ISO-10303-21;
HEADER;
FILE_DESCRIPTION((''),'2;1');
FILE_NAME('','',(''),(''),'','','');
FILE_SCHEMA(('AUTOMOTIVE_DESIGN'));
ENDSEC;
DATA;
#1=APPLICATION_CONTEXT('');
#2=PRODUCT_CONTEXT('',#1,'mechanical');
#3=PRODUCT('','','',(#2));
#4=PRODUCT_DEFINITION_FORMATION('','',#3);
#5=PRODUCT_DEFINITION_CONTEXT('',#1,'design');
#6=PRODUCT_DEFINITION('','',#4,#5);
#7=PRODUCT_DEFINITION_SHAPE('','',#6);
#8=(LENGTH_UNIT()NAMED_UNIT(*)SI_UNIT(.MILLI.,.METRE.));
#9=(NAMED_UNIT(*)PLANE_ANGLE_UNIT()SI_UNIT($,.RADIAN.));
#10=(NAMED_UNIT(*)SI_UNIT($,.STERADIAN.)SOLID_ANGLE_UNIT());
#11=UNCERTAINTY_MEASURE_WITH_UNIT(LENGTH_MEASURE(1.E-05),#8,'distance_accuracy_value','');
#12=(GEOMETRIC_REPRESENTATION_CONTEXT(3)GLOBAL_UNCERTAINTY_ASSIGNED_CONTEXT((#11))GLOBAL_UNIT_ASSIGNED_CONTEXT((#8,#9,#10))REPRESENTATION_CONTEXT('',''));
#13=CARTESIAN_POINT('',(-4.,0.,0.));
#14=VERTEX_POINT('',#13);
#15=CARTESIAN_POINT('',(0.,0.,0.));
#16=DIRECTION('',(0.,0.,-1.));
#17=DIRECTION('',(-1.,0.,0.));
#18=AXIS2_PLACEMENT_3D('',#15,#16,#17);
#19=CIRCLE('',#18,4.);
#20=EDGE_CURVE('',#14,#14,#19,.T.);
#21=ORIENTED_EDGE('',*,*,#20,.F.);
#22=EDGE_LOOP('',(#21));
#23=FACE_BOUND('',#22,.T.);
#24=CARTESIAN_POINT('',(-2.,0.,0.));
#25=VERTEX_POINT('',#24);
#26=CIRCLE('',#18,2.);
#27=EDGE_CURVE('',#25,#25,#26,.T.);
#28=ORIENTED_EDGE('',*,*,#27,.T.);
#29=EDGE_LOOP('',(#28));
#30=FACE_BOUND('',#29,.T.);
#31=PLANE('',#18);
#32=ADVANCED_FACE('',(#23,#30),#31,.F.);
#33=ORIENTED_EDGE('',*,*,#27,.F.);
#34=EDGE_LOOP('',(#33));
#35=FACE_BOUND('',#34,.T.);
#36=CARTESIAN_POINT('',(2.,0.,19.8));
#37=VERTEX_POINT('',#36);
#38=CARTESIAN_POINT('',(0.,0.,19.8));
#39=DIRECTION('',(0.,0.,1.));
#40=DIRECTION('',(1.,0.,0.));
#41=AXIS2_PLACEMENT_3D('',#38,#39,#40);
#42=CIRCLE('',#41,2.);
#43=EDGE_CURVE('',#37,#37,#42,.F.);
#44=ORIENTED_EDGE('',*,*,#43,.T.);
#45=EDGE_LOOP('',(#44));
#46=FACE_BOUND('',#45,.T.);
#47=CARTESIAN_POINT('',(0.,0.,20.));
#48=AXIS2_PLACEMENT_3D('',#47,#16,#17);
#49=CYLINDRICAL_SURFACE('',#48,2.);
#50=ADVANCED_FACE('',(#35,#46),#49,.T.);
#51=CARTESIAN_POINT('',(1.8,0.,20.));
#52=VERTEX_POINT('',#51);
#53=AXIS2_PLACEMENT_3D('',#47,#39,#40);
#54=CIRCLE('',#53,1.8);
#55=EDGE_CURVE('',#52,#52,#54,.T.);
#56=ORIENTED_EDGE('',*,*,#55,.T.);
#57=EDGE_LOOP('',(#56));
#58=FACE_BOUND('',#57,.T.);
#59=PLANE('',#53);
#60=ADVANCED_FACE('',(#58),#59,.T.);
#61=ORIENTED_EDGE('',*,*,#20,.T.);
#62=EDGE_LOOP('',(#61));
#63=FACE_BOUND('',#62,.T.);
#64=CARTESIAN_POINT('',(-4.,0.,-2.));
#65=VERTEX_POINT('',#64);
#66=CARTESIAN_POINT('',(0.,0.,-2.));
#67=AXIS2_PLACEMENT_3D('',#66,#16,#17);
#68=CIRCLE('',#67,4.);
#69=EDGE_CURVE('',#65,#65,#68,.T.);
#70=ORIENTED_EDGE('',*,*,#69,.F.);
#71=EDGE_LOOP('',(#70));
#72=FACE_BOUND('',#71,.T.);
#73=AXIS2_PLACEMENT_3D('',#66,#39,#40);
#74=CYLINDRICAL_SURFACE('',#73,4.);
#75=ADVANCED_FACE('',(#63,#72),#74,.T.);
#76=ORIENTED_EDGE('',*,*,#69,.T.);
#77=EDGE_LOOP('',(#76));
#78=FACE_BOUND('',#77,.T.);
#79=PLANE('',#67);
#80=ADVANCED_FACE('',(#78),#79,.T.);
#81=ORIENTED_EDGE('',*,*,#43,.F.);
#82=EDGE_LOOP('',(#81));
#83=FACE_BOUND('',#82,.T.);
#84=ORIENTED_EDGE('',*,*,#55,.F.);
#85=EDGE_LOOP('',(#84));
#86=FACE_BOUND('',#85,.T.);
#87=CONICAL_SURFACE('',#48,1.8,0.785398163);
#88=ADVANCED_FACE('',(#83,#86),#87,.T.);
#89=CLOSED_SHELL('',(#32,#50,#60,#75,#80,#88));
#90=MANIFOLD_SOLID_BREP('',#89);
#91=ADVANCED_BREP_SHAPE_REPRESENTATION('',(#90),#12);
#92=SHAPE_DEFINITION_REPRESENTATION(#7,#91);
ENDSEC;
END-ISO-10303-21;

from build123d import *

# Parameters (mm, degrees)
SKETCH_1_R      = 2
EXTRUDE_1_DEPTH = 20
SKETCH_2_R      = 4
EXTRUDE_2_DEPTH = 2
CHAMFER_1_SIZE  = 0.2


with BuildPart() as part:
    # 草图1 → 拉伸1 (new body)
    with BuildSketch(Plane.XY):
        Circle(SKETCH_1_R)
    extrude(amount=EXTRUDE_1_DEPTH)

    # 草图2 → 拉伸2 (add)
    with BuildSketch(Plane(origin=(0, 0, 0), x_dir=(-1, 0, 0), z_dir=(0, 0, -1))):
        Circle(SKETCH_2_R)
    extrude(amount=EXTRUDE_2_DEPTH)

    # 倒角1
    chamfer_1_edges = [part.edges().sort_by_distance(p)[0] for p in [
        (-2, 0, 20),
    ]]
    chamfer(chamfer_1_edges, length=CHAMFER_1_SIZE)


solid = part.part
